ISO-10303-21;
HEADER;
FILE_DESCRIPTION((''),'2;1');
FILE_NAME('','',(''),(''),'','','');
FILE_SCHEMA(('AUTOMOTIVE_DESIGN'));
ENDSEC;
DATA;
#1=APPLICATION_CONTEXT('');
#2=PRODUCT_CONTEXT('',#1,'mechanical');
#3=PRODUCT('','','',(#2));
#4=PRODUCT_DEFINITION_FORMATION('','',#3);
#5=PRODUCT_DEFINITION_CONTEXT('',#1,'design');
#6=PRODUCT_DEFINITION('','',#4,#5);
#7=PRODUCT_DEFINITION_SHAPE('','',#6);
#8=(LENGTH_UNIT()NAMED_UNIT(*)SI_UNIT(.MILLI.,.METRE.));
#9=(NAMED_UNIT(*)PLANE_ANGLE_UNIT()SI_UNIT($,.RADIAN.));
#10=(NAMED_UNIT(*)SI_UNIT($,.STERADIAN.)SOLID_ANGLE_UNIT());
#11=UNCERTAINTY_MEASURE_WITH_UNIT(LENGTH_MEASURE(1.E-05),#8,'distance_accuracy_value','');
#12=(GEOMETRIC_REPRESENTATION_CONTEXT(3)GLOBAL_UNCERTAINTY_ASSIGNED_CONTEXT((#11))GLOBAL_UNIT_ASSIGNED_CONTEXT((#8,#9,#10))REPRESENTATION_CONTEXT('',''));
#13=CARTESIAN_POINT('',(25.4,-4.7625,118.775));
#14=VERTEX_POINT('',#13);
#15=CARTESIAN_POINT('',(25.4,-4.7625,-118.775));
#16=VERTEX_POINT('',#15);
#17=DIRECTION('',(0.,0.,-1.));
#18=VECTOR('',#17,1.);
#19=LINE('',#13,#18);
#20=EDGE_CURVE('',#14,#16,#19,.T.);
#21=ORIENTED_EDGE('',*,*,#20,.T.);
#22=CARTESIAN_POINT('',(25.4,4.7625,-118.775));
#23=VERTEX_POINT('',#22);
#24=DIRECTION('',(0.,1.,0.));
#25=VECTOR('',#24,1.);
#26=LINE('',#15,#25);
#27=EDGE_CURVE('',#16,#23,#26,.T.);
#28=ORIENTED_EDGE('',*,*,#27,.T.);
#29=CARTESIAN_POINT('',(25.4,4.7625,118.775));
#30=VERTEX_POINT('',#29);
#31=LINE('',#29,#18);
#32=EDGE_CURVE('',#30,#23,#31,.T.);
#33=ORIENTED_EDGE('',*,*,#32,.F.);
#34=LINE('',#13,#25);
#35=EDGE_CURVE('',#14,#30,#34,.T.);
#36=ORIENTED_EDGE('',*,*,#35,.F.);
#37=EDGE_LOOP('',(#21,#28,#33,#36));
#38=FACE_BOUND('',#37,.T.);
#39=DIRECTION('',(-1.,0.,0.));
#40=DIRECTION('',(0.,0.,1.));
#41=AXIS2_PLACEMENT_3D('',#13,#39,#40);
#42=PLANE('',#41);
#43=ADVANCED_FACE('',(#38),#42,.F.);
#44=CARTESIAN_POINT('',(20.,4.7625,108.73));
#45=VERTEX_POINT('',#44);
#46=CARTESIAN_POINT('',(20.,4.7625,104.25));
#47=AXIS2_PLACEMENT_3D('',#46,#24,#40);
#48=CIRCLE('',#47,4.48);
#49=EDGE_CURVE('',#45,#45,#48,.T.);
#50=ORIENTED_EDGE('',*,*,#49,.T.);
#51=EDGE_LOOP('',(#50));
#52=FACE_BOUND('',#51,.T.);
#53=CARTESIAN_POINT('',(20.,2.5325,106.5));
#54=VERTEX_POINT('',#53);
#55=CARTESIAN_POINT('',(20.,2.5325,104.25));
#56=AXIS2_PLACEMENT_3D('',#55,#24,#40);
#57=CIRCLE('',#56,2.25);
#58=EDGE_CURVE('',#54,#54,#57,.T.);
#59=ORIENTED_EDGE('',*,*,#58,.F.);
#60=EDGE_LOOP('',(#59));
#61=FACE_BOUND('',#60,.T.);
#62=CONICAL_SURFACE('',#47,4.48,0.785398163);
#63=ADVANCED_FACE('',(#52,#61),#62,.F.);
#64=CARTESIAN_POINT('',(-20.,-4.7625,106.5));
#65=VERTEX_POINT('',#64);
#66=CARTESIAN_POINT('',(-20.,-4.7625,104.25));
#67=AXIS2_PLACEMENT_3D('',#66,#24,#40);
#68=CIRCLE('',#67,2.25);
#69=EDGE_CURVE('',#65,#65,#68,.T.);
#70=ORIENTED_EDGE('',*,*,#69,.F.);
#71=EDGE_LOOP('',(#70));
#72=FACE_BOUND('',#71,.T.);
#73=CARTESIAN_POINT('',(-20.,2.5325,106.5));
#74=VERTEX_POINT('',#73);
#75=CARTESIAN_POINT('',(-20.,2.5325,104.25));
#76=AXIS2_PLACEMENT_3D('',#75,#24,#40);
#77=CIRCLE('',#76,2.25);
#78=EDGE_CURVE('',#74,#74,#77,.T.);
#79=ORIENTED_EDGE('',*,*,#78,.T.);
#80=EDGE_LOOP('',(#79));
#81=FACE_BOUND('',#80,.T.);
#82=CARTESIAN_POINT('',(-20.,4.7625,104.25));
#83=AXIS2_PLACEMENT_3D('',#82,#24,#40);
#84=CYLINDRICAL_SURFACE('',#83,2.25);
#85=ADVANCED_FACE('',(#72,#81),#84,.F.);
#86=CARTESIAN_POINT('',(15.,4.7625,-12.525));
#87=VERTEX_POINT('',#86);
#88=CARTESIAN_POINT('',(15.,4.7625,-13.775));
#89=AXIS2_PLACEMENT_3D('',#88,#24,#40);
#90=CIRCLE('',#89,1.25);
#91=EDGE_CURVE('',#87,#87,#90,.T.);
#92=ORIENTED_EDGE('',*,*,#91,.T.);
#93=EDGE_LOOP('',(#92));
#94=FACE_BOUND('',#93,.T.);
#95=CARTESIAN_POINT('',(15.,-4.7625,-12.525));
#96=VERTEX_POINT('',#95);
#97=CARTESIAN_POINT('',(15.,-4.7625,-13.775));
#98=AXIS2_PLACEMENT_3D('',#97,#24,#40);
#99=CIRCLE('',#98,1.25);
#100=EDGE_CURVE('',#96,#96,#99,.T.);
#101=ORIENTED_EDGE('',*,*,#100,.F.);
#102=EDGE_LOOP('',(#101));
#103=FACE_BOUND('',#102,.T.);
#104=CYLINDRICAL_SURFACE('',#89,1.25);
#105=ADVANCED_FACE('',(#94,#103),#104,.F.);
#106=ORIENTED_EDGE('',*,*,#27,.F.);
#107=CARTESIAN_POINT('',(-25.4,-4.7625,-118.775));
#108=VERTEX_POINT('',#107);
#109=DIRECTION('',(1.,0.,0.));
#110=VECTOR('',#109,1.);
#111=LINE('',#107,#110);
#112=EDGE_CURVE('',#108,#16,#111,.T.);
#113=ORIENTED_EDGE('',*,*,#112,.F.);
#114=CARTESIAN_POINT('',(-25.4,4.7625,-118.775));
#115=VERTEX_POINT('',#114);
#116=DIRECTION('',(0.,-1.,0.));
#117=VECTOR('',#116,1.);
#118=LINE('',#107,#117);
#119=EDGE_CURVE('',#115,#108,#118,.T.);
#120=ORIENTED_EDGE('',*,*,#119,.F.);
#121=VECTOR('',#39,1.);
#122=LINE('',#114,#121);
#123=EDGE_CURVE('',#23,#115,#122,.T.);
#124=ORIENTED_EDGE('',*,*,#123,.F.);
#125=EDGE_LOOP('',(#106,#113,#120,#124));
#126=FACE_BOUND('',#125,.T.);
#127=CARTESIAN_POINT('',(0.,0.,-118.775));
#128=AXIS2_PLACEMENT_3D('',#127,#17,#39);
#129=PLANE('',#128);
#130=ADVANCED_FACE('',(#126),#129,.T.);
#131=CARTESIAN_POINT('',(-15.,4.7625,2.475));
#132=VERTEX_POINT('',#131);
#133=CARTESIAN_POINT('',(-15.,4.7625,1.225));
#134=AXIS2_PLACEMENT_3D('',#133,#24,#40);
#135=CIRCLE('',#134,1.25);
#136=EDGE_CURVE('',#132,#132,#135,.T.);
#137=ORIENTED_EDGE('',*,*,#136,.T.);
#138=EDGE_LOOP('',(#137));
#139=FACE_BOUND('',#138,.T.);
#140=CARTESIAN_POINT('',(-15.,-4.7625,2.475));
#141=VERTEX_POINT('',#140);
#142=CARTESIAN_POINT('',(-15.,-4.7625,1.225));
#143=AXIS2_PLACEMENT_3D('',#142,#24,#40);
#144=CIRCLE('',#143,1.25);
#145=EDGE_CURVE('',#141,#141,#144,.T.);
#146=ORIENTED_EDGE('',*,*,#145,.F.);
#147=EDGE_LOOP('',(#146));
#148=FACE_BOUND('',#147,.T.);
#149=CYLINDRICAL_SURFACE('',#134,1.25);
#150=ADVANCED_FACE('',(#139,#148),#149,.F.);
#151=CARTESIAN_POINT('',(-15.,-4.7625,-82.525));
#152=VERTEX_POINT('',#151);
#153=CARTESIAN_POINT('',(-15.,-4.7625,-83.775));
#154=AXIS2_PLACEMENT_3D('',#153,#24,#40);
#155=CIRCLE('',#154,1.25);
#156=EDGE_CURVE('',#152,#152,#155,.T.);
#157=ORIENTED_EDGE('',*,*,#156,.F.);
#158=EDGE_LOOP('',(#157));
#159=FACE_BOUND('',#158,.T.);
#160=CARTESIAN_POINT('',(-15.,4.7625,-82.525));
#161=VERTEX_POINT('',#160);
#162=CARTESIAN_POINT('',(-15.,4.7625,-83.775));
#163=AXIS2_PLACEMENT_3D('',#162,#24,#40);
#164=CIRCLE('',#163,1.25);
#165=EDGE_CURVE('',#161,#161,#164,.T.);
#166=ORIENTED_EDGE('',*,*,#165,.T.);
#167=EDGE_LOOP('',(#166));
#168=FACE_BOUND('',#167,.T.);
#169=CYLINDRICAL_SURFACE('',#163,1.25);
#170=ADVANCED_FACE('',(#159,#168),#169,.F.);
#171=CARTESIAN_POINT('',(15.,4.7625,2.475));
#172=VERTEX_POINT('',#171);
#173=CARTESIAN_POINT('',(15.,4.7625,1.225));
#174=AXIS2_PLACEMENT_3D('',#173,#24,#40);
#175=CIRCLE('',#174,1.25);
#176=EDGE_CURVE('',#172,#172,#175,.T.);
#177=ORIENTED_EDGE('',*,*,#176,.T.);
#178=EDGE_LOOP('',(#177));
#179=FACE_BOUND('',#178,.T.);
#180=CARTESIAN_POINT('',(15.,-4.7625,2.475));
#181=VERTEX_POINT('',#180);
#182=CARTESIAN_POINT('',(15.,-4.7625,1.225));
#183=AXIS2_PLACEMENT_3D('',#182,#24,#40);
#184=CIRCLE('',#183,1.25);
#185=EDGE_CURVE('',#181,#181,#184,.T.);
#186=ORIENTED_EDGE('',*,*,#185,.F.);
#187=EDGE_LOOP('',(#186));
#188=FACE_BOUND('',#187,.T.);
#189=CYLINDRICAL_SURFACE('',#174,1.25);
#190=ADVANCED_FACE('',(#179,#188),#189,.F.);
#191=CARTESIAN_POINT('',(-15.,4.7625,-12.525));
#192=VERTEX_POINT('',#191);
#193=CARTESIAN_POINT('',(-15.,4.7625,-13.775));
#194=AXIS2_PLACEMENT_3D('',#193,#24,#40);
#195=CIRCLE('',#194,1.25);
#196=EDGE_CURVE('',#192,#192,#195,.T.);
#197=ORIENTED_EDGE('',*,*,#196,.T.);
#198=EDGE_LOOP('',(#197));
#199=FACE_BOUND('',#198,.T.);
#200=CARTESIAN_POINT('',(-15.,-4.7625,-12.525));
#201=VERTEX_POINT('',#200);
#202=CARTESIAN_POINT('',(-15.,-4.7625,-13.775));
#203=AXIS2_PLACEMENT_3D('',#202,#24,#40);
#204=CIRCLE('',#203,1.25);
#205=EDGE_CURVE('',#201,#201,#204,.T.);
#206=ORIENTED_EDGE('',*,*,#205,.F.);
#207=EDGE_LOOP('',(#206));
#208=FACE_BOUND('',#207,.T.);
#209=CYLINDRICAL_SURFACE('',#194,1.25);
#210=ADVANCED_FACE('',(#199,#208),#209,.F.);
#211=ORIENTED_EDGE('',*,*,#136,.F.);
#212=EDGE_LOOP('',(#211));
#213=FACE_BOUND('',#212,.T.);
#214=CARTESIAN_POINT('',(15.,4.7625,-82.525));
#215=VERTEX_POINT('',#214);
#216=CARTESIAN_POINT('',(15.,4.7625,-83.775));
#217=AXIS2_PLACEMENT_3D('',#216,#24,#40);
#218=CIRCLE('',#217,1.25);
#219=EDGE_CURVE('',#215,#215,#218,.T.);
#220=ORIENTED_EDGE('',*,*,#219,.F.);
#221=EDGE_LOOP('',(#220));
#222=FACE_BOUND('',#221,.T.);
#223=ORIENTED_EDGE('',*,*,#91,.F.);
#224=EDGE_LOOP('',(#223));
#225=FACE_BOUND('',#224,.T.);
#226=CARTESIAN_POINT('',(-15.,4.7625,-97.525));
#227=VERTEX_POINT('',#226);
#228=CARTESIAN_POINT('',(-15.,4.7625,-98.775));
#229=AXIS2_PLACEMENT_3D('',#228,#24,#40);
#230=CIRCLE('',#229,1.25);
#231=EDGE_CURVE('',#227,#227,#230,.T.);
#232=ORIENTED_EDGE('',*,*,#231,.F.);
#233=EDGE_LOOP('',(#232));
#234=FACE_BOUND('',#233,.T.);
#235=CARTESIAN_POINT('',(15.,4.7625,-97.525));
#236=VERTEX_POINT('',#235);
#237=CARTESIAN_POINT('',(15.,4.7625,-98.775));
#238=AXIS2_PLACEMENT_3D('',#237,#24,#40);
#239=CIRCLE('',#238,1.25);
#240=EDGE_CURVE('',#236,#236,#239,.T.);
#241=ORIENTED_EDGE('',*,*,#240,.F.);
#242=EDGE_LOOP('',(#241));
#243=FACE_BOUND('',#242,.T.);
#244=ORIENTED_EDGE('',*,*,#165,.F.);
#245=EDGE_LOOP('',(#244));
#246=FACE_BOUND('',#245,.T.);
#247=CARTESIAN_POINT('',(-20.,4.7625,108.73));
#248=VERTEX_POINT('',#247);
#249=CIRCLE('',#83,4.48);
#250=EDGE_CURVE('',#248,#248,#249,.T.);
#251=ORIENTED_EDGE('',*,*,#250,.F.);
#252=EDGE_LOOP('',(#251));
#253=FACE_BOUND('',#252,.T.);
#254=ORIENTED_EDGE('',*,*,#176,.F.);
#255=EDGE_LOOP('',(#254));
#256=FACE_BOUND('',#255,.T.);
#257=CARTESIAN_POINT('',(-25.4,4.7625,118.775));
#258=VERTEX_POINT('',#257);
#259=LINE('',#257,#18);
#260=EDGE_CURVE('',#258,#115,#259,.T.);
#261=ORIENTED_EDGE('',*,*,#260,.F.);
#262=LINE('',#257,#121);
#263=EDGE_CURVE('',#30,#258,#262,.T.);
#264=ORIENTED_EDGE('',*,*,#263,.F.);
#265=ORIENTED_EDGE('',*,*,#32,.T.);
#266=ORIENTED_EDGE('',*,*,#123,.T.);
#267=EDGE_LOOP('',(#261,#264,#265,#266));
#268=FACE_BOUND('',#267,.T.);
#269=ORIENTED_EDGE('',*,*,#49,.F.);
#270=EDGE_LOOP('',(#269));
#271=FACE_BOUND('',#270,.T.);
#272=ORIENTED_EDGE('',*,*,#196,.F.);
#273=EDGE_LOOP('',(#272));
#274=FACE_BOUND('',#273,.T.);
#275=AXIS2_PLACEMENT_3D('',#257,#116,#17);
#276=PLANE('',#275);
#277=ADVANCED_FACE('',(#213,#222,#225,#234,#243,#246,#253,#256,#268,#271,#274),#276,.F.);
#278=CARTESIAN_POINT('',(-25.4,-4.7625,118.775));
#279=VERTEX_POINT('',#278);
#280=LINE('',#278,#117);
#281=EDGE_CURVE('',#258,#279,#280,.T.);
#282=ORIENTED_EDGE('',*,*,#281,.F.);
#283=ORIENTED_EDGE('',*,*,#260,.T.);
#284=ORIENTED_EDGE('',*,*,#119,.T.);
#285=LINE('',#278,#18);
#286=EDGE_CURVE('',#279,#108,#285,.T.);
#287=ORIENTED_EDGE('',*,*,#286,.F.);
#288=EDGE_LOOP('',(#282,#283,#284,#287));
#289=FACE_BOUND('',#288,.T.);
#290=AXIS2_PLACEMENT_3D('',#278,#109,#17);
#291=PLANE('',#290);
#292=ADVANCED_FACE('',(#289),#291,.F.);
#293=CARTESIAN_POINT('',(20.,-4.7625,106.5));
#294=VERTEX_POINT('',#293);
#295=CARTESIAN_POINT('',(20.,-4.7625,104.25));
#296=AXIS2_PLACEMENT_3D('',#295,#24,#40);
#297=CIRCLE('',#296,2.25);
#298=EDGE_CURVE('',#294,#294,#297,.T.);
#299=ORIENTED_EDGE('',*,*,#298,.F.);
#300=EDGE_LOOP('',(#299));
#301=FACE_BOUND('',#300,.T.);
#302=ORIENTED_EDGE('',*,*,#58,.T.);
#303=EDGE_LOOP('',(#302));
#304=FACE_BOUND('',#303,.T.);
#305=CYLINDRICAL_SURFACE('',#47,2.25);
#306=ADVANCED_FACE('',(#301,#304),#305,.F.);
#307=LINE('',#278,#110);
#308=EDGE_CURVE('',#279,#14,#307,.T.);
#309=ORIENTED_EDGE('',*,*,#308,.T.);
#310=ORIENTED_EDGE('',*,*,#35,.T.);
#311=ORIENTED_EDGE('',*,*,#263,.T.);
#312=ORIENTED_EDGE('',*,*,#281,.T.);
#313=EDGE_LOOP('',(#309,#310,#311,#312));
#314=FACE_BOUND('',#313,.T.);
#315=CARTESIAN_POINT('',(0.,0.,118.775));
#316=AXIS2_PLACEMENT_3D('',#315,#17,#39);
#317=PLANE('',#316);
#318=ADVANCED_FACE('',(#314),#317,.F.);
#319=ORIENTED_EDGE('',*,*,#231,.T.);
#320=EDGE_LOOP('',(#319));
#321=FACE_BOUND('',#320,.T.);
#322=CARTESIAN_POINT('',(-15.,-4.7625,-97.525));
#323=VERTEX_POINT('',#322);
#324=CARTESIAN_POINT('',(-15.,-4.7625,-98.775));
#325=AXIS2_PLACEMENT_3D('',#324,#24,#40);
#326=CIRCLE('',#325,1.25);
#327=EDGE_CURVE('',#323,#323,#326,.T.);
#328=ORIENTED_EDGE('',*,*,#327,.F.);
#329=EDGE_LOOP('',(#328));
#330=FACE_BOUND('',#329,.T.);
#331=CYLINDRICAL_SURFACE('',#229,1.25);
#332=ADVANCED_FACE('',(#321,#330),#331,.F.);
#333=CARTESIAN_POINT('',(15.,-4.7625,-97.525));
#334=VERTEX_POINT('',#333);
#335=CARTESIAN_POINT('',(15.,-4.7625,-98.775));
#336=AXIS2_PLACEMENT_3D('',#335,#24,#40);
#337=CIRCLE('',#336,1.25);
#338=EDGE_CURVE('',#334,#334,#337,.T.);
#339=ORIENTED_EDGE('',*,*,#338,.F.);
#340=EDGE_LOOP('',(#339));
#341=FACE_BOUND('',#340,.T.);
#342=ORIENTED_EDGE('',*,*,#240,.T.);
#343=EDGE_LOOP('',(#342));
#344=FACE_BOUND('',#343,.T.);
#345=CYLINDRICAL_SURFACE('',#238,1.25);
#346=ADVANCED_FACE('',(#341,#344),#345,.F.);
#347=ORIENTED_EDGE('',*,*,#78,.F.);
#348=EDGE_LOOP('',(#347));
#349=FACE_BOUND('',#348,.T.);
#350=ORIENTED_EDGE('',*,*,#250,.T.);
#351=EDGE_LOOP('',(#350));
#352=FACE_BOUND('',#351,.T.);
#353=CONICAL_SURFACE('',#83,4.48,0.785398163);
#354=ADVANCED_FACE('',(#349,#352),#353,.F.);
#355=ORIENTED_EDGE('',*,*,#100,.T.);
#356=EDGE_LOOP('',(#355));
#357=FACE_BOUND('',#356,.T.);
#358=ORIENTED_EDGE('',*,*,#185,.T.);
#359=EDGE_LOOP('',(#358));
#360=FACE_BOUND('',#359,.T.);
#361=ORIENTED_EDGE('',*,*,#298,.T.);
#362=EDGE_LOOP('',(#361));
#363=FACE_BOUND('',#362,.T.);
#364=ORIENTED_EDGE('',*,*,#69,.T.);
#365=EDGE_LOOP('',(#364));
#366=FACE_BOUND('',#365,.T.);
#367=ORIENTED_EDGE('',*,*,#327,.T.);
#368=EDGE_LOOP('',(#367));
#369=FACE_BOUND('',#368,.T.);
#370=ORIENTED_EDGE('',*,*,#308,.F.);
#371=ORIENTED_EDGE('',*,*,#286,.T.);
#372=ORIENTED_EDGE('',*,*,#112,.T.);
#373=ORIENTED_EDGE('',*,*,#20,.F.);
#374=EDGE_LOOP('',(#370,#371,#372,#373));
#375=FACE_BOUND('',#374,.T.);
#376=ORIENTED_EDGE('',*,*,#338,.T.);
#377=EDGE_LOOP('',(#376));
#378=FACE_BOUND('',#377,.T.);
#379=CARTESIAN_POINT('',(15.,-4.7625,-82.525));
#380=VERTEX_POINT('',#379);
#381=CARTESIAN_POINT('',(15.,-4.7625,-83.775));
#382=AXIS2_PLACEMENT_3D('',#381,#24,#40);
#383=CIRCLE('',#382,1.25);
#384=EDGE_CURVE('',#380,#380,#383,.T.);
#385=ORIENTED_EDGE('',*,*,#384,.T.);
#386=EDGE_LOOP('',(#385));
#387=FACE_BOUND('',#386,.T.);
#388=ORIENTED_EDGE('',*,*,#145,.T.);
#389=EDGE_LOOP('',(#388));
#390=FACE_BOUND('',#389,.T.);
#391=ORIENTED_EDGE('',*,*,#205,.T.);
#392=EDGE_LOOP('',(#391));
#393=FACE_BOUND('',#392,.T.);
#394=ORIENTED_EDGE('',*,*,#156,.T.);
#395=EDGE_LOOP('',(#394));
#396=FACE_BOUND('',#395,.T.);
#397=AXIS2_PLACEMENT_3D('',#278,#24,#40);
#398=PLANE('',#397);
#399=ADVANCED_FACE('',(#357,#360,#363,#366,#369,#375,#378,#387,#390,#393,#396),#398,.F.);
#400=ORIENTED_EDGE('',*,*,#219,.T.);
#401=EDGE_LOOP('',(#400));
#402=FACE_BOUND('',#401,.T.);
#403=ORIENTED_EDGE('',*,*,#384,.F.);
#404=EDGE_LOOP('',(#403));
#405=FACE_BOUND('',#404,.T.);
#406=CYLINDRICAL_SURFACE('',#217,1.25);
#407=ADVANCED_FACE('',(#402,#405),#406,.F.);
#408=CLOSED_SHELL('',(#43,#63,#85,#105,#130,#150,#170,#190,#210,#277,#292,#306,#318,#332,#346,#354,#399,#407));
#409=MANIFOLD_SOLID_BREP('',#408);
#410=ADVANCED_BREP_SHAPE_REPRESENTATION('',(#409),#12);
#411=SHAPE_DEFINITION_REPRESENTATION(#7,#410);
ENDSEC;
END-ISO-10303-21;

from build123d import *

# Parameters (mm, degrees)
SKETCH1_W                     = 50.8
SKETCH1_H                     = 9.525
BOSS_EXTRUDE1_DEPTH           = 118.775
TAP_DRILL_FOR_M3X0_5_TAP1_D   = 2.5
CSK_FOR_M4_SFHCS1_D           = 4.5
CSK_FOR_M4_SFHCS1_CSINK_D     = 8.96
CSK_FOR_M4_SFHCS1_CSINK_ANGLE = 90


with BuildPart() as part:
    # Sketch1 → Boss-Extrude1 (new, symmetric)
    with BuildSketch(Plane.XY):
        Rectangle(SKETCH1_W, SKETCH1_H)
    extrude(amount=BOSS_EXTRUDE1_DEPTH, both=True)

    # Tap Drill for M3x0.5 Tap1 (through all)
    with Locations(Plane(origin=(0, 4.7625, 0), x_dir=(1, 0, 0), z_dir=(0, 1, 0))):
        with Locations((-15, 98.775), (15, 98.775), (-15, 83.775), (15, 83.775), (15, 13.775), (-15, 13.775), (15, -1.225), (-15, -1.225)):
            Hole(TAP_DRILL_FOR_M3X0_5_TAP1_D / 2)

    # CSK for M4 SFHCS1 (through all)
    with Locations(Plane(origin=(0, 4.7625, 0), x_dir=(1, 0, 0), z_dir=(0, 1, 0))):
        with Locations((-20, -104.25), (20, -104.25)):
            CounterSinkHole(CSK_FOR_M4_SFHCS1_D / 2, CSK_FOR_M4_SFHCS1_CSINK_D / 2, counter_sink_angle=CSK_FOR_M4_SFHCS1_CSINK_ANGLE)


solid = part.part
